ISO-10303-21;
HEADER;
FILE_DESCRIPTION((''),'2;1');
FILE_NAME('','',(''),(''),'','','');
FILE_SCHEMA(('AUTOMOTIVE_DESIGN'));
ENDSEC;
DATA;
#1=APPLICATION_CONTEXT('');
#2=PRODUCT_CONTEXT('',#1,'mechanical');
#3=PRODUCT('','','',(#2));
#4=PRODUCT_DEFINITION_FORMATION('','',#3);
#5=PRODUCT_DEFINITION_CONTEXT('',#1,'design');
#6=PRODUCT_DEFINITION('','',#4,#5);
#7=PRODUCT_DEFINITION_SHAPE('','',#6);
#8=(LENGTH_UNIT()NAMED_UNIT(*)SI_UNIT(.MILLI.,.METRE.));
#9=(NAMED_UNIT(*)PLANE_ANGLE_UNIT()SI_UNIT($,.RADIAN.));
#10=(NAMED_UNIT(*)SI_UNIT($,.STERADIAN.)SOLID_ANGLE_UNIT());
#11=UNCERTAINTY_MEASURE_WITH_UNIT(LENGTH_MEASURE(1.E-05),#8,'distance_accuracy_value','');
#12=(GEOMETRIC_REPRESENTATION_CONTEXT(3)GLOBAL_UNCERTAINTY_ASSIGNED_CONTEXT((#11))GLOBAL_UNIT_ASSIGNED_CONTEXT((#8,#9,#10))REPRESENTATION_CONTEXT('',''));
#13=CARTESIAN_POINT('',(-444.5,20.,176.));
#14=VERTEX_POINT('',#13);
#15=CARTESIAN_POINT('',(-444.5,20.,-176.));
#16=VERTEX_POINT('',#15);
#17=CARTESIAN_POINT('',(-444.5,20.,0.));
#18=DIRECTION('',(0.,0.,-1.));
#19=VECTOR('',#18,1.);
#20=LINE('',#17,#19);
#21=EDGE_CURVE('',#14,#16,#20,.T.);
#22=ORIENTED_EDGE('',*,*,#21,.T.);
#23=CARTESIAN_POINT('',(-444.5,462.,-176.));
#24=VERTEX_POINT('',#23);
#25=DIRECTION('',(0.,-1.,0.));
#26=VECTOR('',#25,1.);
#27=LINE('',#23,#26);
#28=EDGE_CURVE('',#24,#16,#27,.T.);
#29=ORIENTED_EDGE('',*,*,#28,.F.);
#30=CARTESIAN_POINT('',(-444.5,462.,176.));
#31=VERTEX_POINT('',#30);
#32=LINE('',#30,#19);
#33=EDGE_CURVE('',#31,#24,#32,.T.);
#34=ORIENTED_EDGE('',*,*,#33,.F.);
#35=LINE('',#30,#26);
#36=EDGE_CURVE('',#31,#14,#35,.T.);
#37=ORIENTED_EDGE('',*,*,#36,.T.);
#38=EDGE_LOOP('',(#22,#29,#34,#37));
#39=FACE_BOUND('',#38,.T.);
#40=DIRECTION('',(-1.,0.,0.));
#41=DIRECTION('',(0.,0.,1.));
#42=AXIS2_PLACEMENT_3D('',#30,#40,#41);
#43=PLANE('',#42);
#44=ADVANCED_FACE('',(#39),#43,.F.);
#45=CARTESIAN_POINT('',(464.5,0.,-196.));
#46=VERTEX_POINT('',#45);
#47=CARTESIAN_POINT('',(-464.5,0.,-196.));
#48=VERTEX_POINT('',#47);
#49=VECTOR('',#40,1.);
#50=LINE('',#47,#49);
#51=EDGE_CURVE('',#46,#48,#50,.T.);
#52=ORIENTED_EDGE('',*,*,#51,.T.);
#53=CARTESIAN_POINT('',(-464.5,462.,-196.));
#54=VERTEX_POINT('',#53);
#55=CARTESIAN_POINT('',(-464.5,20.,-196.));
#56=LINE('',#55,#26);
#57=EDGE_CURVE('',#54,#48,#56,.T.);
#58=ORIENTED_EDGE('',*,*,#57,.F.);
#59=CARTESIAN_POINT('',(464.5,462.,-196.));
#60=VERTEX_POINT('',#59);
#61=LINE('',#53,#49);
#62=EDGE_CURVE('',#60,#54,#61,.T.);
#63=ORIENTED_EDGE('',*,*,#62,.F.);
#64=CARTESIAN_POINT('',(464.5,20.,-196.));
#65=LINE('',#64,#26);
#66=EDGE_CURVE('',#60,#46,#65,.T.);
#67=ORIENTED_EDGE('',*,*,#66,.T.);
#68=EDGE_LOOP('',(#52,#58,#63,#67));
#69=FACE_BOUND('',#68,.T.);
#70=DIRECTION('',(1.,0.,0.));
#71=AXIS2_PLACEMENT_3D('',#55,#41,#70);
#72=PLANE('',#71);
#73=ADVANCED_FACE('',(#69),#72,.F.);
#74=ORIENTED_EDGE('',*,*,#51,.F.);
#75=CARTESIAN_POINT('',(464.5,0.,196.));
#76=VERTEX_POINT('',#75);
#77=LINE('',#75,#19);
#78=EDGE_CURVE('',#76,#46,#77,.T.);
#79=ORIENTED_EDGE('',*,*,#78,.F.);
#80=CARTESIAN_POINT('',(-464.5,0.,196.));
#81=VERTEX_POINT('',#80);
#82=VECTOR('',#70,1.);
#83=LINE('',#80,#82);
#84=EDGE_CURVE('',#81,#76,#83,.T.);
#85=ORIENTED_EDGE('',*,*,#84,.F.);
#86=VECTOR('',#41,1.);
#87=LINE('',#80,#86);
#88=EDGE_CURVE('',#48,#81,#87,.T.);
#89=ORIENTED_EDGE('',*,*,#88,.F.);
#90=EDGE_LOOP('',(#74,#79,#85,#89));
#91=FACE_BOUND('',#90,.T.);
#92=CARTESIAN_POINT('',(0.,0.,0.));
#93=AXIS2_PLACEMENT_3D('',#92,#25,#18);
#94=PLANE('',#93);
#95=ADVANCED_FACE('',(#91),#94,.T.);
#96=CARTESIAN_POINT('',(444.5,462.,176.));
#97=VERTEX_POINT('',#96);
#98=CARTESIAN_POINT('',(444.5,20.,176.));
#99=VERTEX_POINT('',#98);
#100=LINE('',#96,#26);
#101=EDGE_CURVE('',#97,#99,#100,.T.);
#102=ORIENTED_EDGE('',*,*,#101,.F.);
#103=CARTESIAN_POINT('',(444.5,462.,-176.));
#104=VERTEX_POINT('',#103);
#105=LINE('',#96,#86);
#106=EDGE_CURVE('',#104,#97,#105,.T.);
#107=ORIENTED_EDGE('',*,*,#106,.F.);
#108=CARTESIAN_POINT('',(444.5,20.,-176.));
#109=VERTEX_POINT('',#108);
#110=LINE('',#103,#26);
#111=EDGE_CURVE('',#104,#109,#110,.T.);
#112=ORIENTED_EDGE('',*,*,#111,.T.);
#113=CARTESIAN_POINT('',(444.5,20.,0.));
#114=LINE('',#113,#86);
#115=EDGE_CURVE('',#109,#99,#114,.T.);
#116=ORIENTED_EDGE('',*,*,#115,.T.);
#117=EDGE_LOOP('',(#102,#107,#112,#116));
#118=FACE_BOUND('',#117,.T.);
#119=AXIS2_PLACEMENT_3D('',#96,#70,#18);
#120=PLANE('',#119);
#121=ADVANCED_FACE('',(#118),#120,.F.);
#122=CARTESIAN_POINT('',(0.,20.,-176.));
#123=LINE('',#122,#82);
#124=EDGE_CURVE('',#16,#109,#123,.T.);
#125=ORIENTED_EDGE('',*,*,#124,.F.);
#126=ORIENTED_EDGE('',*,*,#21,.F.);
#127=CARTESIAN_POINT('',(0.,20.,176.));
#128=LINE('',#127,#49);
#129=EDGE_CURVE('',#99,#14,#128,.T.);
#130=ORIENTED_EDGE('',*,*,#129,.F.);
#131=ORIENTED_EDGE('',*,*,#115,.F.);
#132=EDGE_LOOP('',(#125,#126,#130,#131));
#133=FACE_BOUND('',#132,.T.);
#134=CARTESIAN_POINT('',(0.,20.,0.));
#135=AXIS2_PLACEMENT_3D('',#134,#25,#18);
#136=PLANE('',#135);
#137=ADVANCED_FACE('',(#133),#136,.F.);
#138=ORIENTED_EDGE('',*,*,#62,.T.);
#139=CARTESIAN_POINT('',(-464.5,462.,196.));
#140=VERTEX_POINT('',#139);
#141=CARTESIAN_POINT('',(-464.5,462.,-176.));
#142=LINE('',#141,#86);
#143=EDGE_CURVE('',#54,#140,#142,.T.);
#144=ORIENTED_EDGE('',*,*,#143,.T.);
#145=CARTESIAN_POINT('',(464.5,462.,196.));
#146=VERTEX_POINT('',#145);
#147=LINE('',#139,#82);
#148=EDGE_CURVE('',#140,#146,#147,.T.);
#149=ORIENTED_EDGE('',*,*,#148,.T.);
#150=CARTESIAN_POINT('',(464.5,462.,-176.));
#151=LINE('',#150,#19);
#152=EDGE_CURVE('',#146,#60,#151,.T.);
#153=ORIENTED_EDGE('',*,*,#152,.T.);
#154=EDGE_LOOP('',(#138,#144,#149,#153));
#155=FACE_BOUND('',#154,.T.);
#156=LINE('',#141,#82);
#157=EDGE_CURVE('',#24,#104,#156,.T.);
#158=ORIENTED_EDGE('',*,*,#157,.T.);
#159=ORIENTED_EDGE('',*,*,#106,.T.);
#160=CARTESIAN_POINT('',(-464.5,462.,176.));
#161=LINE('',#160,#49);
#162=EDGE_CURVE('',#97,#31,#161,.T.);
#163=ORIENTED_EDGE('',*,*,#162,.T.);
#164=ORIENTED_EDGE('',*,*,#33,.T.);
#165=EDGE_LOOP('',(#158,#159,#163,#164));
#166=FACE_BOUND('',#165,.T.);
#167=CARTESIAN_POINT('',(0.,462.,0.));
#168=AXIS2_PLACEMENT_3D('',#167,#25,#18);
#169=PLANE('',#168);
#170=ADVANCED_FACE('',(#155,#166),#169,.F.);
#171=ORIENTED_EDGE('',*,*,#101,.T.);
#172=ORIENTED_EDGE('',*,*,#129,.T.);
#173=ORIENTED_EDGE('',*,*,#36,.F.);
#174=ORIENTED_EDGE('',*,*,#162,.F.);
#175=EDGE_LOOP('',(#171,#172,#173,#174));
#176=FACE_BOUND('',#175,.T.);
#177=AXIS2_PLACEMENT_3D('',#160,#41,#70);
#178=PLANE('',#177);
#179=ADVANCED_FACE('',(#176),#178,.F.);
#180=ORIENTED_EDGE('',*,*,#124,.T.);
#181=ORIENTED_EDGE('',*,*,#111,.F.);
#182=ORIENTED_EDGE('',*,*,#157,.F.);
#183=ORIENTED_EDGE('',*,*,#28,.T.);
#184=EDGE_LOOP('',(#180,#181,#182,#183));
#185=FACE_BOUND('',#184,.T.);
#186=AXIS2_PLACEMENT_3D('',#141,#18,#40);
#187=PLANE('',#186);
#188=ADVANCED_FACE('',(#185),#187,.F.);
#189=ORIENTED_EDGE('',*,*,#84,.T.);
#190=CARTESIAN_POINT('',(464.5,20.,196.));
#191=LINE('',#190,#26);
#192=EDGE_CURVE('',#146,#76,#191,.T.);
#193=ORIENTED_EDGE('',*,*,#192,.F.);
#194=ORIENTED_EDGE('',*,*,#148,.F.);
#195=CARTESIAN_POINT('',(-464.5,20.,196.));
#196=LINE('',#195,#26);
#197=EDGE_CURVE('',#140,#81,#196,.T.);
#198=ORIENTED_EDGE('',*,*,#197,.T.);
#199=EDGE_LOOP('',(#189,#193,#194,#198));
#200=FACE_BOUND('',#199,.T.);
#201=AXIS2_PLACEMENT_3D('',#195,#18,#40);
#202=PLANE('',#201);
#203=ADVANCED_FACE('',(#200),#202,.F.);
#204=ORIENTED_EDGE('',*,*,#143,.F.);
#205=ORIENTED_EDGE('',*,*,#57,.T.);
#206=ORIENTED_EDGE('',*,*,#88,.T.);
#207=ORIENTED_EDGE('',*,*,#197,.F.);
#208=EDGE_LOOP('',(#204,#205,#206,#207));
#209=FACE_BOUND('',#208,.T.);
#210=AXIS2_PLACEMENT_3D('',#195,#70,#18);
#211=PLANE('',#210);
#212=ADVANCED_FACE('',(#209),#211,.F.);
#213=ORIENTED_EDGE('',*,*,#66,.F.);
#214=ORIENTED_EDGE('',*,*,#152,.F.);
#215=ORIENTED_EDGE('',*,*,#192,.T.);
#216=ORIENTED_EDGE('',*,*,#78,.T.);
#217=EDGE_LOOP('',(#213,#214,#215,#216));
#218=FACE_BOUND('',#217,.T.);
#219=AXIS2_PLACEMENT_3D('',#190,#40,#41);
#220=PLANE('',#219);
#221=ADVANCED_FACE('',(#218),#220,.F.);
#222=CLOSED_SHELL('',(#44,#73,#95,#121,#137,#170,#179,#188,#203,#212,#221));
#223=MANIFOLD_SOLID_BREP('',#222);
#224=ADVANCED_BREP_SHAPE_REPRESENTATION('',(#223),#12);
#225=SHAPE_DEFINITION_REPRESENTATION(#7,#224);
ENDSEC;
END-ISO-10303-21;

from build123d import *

# Parameters (mm, degrees)
SKETCH1_W          = 929
SKETCH1_H          = 392
BOTTOM_PLATE_DEPTH = 20
SKETCH2_W          = 929
SKETCH2_H          = 20
LEFT_WALL_DEPTH    = 462
SKETCH3_W          = 929
SKETCH3_H          = 20
RIGHT_WALL_DEPTH   = 462
SKETCH4_W          = 20
SKETCH4_H          = 352
BACK_WALL_DEPTH    = 462
SKETCH5_W          = 20
SKETCH5_H          = 352
FRONT_WALL_DEPTH   = 462


with BuildPart() as part:
    # Sketch1 → Bottom Plate (new body)
    with BuildSketch(Plane(origin=(0, 0, 0), x_dir=(1, 0, 0), z_dir=(0, 1, 0))):
        Rectangle(SKETCH1_W, SKETCH1_H)
    extrude(amount=BOTTOM_PLATE_DEPTH)

    # Sketch2 → Left Wall (add)
    with BuildSketch(Plane(origin=(0, 0, 0), x_dir=(1, 0, 0), z_dir=(0, 1, 0))):
        with Locations((0, 186)):
            Rectangle(SKETCH2_W, SKETCH2_H)
    extrude(amount=LEFT_WALL_DEPTH)

    # Sketch3 → Right Wall (add)
    with BuildSketch(Plane(origin=(0, 0, 0), x_dir=(1, 0, 0), z_dir=(0, 1, 0))):
        with Locations((0, -186)):
            Rectangle(SKETCH3_W, SKETCH3_H)
    extrude(amount=RIGHT_WALL_DEPTH)

    # Sketch4 → Back Wall (add)
    with BuildSketch(Plane(origin=(0, 0, 0), x_dir=(1, 0, 0), z_dir=(0, 1, 0))):
        with Locations((454.5, 0)):
            Rectangle(SKETCH4_W, SKETCH4_H)
    extrude(amount=BACK_WALL_DEPTH)

    # Sketch5 → Front Wall (add)
    with BuildSketch(Plane(origin=(0, 0, 0), x_dir=(1, 0, 0), z_dir=(0, 1, 0))):
        with Locations((-454.5, 0)):
            Rectangle(SKETCH5_W, SKETCH5_H)
    extrude(amount=FRONT_WALL_DEPTH)


solid = part.part
